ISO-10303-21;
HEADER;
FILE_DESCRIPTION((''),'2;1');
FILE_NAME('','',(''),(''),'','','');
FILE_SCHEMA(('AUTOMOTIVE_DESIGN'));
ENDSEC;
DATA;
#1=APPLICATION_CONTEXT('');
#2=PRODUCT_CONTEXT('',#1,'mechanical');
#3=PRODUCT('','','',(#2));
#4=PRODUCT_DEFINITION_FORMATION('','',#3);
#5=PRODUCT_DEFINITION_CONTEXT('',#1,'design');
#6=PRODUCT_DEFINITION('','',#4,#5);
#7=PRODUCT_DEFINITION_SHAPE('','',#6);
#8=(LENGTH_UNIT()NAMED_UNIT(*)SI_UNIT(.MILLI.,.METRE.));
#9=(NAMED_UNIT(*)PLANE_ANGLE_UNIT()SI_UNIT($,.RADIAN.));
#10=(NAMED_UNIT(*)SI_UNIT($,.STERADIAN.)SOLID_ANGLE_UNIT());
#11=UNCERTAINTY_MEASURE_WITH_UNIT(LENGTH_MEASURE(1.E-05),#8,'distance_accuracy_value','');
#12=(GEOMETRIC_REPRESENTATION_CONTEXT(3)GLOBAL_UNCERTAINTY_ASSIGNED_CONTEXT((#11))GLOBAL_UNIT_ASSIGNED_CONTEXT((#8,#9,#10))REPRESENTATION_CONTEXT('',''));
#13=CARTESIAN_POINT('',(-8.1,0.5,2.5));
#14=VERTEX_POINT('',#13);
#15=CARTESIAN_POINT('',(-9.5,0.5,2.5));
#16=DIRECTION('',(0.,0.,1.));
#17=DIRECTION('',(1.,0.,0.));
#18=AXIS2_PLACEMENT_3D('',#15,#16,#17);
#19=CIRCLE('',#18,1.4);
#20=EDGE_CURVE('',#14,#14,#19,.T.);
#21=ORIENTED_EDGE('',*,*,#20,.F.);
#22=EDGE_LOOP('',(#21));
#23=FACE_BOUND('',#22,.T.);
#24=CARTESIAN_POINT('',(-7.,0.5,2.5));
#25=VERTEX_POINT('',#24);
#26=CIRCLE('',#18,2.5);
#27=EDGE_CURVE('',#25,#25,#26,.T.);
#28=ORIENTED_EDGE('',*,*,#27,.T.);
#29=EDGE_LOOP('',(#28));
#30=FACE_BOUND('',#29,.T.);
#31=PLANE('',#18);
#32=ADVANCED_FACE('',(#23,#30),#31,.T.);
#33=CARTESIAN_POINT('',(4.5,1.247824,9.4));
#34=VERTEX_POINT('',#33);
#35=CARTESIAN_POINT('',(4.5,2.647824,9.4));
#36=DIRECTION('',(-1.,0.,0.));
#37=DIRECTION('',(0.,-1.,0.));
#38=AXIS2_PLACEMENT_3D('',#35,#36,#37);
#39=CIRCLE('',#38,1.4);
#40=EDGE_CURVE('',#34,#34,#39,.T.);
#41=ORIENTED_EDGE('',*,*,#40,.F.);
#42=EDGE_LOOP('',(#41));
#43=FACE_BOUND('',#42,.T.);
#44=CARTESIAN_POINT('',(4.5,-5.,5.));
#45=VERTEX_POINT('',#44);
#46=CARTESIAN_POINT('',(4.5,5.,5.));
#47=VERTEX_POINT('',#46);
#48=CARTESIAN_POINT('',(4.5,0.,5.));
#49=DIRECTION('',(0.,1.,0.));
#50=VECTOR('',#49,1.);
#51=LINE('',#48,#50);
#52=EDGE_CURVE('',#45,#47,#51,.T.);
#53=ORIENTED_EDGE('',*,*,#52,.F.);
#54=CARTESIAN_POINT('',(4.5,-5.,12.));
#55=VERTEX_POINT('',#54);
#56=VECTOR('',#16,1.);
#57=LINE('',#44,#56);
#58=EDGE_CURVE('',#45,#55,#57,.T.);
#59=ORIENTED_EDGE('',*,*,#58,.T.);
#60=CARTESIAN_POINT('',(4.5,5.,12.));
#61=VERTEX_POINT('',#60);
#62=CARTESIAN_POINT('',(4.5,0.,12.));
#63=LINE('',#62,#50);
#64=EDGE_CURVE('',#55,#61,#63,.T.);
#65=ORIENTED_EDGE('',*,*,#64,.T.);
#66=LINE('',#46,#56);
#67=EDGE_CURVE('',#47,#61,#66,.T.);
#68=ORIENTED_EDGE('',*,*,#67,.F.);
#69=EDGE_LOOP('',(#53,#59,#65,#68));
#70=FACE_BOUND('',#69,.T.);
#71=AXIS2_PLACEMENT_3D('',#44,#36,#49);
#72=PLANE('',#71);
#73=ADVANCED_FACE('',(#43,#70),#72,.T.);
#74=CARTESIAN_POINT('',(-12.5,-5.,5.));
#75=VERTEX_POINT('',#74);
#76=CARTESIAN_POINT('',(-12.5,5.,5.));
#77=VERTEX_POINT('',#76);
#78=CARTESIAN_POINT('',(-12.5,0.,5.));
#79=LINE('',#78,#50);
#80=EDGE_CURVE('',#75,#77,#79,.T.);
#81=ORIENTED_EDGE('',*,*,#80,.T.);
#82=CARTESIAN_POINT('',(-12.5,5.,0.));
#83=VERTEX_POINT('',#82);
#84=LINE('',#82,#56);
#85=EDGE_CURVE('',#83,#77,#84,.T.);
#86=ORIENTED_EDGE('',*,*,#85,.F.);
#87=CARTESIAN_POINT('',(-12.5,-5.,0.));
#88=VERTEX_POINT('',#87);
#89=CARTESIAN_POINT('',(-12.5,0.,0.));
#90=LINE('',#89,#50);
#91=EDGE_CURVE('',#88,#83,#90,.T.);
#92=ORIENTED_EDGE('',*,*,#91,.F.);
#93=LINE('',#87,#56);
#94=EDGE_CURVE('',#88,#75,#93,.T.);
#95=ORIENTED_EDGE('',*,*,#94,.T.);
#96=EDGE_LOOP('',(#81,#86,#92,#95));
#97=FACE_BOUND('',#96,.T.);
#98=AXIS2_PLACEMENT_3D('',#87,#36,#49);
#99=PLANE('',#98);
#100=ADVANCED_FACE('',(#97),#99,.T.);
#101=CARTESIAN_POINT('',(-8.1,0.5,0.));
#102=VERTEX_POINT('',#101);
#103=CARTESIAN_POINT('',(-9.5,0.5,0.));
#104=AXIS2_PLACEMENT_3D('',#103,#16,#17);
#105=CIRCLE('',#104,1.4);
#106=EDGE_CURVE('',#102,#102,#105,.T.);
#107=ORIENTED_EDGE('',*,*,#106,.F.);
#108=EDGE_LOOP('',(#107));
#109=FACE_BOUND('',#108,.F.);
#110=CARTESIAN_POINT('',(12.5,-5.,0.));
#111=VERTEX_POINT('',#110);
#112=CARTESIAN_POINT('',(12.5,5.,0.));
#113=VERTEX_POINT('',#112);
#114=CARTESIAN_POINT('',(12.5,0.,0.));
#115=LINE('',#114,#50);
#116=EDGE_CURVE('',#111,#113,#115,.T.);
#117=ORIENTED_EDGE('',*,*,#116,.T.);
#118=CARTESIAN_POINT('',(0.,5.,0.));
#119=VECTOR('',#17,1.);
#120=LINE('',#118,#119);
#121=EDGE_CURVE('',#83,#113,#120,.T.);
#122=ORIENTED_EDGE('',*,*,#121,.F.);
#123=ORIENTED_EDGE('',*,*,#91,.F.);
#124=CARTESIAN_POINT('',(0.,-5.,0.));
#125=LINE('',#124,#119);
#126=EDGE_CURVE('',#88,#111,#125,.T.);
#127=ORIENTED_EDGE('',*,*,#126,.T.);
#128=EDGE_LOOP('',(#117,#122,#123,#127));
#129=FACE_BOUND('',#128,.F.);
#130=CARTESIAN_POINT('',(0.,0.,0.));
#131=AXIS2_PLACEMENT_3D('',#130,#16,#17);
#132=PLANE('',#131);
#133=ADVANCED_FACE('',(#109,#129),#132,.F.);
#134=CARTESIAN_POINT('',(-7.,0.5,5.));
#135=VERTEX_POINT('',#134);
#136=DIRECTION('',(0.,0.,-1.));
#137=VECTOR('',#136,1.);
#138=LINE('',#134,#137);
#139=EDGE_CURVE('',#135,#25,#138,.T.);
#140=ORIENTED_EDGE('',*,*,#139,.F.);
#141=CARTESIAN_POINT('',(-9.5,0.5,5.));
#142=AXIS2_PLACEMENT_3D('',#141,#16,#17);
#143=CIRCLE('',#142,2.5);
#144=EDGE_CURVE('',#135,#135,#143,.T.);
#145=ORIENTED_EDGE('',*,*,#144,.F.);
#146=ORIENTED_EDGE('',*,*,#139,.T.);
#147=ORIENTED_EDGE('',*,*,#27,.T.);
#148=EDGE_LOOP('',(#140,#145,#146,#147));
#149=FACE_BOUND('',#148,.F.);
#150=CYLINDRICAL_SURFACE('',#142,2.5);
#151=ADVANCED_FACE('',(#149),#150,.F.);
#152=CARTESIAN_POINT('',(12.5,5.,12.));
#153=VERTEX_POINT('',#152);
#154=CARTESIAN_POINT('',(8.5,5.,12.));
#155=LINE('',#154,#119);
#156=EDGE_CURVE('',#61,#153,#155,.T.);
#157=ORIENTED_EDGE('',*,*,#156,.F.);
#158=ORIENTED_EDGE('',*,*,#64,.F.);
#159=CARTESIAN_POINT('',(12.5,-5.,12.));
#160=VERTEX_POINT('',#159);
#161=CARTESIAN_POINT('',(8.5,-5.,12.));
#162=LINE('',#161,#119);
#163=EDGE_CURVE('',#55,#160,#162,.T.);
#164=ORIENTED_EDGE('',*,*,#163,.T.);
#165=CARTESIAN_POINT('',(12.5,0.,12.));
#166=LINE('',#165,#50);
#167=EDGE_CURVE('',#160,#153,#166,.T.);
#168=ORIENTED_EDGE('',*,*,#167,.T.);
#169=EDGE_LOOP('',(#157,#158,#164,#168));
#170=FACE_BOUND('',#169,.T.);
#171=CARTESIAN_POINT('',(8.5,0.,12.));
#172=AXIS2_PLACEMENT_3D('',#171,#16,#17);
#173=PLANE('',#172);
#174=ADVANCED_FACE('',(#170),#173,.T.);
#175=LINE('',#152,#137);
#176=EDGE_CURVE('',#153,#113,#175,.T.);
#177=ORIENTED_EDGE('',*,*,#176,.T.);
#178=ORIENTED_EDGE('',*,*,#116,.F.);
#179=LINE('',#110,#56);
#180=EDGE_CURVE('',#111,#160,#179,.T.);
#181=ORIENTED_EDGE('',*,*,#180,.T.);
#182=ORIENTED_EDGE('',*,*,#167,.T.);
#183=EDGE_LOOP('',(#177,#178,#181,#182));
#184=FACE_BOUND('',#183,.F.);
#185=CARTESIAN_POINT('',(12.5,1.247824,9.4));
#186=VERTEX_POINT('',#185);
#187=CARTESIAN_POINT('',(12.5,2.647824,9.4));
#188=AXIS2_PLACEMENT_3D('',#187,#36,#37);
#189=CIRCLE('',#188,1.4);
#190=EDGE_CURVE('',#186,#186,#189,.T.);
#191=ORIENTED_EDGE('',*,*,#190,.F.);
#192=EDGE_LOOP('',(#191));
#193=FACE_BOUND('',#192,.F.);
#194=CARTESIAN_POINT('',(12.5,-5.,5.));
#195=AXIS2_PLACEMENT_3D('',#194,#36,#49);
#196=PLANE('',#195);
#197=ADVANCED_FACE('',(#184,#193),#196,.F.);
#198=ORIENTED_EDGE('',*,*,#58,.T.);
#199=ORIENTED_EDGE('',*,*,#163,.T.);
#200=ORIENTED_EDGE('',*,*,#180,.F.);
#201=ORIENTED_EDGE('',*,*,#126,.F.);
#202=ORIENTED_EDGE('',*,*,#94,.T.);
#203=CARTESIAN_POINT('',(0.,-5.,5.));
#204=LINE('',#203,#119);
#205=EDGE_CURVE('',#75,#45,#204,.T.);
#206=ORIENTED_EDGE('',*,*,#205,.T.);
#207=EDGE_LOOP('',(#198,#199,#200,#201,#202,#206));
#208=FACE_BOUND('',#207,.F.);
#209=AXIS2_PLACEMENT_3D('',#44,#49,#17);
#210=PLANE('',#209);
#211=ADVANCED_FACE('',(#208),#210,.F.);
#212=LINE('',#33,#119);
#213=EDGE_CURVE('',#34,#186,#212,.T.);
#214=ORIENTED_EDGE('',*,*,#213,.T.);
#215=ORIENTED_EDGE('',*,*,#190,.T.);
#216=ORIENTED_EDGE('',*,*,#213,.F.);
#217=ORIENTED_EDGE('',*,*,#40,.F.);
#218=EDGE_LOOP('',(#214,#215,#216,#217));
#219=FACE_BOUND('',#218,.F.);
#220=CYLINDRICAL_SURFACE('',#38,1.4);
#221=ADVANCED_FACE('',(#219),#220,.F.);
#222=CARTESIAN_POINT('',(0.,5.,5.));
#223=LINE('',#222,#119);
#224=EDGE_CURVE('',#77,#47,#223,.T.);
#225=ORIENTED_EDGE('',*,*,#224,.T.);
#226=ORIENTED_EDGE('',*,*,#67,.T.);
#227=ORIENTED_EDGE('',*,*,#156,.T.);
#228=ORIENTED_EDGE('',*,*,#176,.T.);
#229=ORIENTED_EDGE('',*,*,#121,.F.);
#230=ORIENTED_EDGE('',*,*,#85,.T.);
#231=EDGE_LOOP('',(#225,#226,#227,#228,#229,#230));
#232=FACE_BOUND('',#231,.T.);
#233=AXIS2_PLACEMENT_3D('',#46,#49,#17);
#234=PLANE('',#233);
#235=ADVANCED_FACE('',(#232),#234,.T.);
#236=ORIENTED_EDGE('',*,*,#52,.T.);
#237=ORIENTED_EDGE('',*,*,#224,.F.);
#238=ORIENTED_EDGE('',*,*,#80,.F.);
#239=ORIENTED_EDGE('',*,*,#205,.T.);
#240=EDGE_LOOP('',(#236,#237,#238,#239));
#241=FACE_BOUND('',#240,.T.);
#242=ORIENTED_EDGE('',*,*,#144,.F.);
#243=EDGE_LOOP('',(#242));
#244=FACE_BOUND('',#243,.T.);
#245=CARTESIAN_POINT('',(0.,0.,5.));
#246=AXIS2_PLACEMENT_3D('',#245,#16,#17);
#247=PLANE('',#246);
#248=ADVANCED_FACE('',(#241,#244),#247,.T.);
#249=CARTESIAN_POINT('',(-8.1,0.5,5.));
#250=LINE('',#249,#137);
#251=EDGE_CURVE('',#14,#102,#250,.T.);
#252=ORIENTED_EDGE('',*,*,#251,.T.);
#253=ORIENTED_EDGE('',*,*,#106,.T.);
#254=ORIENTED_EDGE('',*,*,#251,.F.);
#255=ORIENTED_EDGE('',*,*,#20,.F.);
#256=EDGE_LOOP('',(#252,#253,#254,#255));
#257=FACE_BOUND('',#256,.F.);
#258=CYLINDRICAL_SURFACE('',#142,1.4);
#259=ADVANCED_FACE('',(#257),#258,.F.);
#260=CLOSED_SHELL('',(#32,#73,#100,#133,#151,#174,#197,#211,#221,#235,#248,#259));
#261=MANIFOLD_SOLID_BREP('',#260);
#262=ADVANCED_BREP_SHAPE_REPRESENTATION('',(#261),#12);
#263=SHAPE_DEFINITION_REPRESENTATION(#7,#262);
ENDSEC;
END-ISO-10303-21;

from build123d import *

# Parameters (mm, degrees)
F0_W     = 25
F0_H     = 10
F1_DEPTH = 5
F2_R     = 1.4
F3_DEPTH = 25
F2_W     = 8
F2_H     = 10
F4_DEPTH = 7
F5_R     = 1.4
F6_DEPTH = 25
F2_R_2   = 2.5
F7_DEPTH = 2.5


with BuildPart() as f1:
    # F0 (on Top) → F1 (new body)
    with BuildSketch(Plane.XY):
        Rectangle(F0_W, F0_H)
    extrude(amount=F1_DEPTH)

    # F2 (on face) → F3 (cut)
    with BuildSketch(Plane.XY.offset(5)):
        with Locations((-9.5, 0.5)):
            Circle(F2_R)
    extrude(amount=-F3_DEPTH, mode=Mode.SUBTRACT)

    # F2 (on face) → F4 (join)
    with BuildSketch(Plane.XY.offset(5)):
        with Locations((8.5, 0)):
            Rectangle(F2_W, F2_H)
    extrude(amount=F4_DEPTH)

    # F5 (on face) → F6 (cut)
    with BuildSketch(Plane(origin=(4.5, 0, 0), x_dir=(0, -1, 0), z_dir=(-1, 0, 0))):
        with Locations((-2.647824, 9.4)):
            Circle(F5_R)
    extrude(amount=-F6_DEPTH, mode=Mode.SUBTRACT)

    # F2 (on face) → F7 (cut)
    with BuildSketch(Plane.XY.offset(5)):
        with Locations((-9.5, 0.5)):
            Circle(F2_R_2)
        with Locations((-9.5, 0.5)):
            Circle(F2_R, mode=Mode.SUBTRACT)
    extrude(amount=-F7_DEPTH, mode=Mode.SUBTRACT)


solid = f1.part
